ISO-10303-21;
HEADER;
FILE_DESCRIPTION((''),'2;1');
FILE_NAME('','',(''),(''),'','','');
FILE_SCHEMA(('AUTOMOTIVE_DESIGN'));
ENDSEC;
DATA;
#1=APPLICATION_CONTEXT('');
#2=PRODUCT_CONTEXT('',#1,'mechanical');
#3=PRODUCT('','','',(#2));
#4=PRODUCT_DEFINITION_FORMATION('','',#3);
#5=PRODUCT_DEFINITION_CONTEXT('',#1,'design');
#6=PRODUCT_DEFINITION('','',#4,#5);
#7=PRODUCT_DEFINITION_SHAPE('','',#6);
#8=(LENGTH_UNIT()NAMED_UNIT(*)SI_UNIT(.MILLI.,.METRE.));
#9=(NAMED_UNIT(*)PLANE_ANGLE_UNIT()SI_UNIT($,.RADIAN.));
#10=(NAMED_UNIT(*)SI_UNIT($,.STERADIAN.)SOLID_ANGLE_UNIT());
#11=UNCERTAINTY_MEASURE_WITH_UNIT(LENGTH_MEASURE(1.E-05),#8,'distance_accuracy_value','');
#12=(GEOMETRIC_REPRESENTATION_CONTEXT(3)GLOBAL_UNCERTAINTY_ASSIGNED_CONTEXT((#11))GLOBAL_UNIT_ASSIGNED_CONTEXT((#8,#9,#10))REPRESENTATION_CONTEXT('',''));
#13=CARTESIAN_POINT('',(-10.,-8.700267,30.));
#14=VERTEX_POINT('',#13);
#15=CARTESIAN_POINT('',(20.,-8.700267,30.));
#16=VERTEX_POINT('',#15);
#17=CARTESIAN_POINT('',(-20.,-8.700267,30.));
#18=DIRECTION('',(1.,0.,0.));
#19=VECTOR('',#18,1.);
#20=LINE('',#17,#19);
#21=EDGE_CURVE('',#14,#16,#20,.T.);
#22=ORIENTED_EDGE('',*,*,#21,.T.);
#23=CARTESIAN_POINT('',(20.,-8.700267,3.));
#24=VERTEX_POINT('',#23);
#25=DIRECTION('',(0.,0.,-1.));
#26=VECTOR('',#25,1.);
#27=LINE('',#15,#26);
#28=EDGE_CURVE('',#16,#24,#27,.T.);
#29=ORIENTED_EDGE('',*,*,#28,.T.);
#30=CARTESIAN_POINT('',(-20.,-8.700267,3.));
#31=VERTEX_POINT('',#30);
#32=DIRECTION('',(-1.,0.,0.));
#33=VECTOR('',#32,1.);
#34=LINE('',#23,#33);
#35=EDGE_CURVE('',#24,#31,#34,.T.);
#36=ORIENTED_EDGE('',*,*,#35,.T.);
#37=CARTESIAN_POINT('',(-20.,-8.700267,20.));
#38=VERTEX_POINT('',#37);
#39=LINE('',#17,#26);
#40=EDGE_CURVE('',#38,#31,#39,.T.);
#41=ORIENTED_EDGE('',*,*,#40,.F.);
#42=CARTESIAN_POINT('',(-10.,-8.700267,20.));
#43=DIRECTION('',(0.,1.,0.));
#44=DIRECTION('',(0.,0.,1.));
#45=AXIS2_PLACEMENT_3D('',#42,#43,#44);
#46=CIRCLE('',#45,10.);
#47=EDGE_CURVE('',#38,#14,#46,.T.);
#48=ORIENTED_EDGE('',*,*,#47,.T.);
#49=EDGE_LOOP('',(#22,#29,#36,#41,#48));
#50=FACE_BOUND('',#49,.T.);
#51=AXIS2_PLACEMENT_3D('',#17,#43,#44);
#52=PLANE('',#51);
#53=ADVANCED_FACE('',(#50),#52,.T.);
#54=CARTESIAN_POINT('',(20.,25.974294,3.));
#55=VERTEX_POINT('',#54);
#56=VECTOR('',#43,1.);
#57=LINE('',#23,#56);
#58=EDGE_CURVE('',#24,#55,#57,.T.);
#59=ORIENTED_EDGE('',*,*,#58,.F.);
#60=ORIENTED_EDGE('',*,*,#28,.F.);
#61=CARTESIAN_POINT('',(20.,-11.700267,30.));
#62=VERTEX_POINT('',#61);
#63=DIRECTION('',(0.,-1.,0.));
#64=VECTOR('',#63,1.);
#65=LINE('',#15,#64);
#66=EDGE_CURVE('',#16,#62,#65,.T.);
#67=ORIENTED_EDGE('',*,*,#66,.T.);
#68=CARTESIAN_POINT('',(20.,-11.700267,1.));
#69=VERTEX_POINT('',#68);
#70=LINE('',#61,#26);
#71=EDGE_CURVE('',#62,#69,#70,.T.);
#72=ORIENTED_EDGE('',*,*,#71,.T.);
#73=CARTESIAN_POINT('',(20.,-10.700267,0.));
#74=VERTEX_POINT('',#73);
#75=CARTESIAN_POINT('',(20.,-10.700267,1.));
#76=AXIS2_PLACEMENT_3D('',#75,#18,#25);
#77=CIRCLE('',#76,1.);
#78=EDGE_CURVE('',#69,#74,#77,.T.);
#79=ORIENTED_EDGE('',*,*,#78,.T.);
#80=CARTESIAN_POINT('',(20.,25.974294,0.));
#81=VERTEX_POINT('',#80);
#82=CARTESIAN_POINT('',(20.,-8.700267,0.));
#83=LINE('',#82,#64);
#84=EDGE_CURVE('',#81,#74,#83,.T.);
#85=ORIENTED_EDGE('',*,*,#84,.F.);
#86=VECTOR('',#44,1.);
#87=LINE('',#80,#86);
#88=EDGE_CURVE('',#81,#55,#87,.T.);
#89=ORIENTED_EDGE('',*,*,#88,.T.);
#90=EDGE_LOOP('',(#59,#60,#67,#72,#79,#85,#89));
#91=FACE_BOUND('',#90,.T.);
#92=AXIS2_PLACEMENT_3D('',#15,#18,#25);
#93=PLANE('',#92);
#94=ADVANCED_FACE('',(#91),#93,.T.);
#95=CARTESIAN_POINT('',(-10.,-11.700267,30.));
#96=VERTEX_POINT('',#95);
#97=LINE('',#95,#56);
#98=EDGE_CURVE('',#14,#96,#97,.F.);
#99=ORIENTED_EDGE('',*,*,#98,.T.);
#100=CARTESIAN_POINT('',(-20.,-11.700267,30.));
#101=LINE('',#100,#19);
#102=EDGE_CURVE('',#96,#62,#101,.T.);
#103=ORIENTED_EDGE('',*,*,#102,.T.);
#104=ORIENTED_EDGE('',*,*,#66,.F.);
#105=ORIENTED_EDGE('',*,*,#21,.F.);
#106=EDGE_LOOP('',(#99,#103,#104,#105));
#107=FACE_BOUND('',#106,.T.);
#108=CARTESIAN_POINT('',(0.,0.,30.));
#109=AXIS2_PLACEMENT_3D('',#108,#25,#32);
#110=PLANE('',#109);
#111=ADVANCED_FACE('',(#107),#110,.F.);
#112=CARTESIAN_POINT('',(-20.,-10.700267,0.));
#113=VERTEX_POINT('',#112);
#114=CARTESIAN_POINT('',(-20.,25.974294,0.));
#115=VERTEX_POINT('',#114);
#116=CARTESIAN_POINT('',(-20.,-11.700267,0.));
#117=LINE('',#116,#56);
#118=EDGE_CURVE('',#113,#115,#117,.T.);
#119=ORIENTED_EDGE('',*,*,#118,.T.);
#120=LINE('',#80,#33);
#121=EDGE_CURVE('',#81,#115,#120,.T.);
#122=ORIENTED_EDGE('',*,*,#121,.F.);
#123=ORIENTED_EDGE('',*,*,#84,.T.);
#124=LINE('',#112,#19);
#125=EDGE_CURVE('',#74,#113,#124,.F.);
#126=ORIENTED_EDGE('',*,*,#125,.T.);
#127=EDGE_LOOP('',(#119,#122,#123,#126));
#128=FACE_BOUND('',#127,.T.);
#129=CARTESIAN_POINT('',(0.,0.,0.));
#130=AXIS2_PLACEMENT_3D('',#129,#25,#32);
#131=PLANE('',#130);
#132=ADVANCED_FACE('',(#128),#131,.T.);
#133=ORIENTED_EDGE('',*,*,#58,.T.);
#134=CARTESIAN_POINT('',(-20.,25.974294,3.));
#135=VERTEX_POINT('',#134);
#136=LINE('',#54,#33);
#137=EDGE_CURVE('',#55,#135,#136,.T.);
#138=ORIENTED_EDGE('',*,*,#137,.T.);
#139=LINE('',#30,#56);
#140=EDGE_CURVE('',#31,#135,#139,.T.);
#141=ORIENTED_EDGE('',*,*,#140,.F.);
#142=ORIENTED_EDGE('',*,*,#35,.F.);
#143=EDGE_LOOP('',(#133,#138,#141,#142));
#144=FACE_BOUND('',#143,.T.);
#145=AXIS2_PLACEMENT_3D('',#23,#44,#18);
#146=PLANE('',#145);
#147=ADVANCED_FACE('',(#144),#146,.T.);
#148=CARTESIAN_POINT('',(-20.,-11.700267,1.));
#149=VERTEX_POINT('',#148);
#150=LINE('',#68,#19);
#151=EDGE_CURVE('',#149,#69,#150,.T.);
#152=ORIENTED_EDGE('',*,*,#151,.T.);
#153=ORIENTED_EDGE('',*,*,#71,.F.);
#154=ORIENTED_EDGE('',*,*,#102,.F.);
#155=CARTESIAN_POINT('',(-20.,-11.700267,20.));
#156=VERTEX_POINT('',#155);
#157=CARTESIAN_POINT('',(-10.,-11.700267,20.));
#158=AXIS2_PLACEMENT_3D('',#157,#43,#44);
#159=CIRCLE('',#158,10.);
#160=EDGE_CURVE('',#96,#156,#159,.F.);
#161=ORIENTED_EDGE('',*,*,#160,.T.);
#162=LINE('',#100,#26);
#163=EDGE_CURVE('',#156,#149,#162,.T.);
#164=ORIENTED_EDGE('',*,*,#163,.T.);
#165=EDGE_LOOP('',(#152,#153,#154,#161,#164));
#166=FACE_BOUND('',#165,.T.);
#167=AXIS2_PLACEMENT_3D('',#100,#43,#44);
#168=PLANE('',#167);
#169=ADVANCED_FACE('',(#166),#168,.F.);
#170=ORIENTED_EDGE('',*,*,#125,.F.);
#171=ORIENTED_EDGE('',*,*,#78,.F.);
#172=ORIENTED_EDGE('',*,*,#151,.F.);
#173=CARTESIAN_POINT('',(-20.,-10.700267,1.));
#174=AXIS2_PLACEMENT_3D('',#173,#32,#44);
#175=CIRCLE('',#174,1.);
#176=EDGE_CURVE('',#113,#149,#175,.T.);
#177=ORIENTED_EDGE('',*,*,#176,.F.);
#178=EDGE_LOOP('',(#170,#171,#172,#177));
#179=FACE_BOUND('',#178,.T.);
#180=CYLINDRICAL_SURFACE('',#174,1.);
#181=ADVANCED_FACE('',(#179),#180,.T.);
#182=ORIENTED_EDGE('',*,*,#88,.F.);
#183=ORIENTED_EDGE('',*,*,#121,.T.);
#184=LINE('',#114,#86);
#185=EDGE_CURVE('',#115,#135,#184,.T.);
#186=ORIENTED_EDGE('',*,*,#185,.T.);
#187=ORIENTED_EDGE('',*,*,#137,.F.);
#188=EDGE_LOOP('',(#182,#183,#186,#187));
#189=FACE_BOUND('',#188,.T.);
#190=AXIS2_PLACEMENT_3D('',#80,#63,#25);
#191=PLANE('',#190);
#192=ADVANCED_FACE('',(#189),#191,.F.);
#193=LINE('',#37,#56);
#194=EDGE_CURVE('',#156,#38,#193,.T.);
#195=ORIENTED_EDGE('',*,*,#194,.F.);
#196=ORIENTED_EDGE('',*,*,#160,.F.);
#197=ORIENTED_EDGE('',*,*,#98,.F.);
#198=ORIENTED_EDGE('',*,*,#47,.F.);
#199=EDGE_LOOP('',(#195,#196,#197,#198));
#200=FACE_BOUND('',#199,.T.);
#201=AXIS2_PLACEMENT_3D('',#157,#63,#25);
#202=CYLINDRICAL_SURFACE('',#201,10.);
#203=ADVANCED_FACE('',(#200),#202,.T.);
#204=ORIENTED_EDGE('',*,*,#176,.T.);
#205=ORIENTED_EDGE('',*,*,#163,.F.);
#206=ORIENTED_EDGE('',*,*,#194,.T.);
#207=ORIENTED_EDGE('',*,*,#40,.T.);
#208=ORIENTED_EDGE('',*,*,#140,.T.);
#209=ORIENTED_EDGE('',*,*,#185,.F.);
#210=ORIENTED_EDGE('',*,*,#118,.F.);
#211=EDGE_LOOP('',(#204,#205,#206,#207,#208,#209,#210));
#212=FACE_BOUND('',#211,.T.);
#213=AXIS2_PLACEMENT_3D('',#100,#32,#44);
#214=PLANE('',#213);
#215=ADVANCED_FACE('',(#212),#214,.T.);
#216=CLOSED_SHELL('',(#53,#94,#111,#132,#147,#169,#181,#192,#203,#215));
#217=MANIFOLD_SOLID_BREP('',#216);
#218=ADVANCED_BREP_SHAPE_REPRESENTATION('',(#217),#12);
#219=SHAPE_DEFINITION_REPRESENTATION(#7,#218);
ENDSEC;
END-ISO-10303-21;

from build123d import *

# Parameters (mm, degrees)
SKETCH_14_W     = 40
SKETCH_14_H     = 3
EXTRUDE_4_DEPTH = 30
FILLET_1_R      = 10
FILLET_3_R      = 1
SKETCH_15_W     = 3
SKETCH_15_H     = 34.674561042
EXTRUDE_1_DEPTH = 20


with BuildPart() as part:
    # 草图14 → 拉伸-薄壁4 (new body)
    with BuildSketch(Plane.XY):
        with Locations((0, -10.200267181)):
            Rectangle(SKETCH_14_W, SKETCH_14_H)
    extrude(amount=EXTRUDE_4_DEPTH)

    # 圆角1
    fillet_1_edges = [part.edges().sort_by_distance(p)[0] for p in [
        (-20, -10.200267181, 30),
    ]]
    fillet(fillet_1_edges, radius=FILLET_1_R)

    # 圆角3
    fillet_3_edges = [part.edges().sort_by_distance(p)[0] for p in [
        (0, -11.700267181, 0),
    ]]
    fillet(fillet_3_edges, radius=FILLET_3_R)

    # 草图15 → 凸台-拉伸1 (add, symmetric)
    with BuildSketch(Plane(origin=(0, 0, 0), x_dir=(0, 0, -1), z_dir=(1, 0, 0))):
        with Locations((-1.5, 8.63701334)):
            Rectangle(SKETCH_15_W, SKETCH_15_H)
    extrude(amount=EXTRUDE_1_DEPTH, both=True)


solid = part.part
